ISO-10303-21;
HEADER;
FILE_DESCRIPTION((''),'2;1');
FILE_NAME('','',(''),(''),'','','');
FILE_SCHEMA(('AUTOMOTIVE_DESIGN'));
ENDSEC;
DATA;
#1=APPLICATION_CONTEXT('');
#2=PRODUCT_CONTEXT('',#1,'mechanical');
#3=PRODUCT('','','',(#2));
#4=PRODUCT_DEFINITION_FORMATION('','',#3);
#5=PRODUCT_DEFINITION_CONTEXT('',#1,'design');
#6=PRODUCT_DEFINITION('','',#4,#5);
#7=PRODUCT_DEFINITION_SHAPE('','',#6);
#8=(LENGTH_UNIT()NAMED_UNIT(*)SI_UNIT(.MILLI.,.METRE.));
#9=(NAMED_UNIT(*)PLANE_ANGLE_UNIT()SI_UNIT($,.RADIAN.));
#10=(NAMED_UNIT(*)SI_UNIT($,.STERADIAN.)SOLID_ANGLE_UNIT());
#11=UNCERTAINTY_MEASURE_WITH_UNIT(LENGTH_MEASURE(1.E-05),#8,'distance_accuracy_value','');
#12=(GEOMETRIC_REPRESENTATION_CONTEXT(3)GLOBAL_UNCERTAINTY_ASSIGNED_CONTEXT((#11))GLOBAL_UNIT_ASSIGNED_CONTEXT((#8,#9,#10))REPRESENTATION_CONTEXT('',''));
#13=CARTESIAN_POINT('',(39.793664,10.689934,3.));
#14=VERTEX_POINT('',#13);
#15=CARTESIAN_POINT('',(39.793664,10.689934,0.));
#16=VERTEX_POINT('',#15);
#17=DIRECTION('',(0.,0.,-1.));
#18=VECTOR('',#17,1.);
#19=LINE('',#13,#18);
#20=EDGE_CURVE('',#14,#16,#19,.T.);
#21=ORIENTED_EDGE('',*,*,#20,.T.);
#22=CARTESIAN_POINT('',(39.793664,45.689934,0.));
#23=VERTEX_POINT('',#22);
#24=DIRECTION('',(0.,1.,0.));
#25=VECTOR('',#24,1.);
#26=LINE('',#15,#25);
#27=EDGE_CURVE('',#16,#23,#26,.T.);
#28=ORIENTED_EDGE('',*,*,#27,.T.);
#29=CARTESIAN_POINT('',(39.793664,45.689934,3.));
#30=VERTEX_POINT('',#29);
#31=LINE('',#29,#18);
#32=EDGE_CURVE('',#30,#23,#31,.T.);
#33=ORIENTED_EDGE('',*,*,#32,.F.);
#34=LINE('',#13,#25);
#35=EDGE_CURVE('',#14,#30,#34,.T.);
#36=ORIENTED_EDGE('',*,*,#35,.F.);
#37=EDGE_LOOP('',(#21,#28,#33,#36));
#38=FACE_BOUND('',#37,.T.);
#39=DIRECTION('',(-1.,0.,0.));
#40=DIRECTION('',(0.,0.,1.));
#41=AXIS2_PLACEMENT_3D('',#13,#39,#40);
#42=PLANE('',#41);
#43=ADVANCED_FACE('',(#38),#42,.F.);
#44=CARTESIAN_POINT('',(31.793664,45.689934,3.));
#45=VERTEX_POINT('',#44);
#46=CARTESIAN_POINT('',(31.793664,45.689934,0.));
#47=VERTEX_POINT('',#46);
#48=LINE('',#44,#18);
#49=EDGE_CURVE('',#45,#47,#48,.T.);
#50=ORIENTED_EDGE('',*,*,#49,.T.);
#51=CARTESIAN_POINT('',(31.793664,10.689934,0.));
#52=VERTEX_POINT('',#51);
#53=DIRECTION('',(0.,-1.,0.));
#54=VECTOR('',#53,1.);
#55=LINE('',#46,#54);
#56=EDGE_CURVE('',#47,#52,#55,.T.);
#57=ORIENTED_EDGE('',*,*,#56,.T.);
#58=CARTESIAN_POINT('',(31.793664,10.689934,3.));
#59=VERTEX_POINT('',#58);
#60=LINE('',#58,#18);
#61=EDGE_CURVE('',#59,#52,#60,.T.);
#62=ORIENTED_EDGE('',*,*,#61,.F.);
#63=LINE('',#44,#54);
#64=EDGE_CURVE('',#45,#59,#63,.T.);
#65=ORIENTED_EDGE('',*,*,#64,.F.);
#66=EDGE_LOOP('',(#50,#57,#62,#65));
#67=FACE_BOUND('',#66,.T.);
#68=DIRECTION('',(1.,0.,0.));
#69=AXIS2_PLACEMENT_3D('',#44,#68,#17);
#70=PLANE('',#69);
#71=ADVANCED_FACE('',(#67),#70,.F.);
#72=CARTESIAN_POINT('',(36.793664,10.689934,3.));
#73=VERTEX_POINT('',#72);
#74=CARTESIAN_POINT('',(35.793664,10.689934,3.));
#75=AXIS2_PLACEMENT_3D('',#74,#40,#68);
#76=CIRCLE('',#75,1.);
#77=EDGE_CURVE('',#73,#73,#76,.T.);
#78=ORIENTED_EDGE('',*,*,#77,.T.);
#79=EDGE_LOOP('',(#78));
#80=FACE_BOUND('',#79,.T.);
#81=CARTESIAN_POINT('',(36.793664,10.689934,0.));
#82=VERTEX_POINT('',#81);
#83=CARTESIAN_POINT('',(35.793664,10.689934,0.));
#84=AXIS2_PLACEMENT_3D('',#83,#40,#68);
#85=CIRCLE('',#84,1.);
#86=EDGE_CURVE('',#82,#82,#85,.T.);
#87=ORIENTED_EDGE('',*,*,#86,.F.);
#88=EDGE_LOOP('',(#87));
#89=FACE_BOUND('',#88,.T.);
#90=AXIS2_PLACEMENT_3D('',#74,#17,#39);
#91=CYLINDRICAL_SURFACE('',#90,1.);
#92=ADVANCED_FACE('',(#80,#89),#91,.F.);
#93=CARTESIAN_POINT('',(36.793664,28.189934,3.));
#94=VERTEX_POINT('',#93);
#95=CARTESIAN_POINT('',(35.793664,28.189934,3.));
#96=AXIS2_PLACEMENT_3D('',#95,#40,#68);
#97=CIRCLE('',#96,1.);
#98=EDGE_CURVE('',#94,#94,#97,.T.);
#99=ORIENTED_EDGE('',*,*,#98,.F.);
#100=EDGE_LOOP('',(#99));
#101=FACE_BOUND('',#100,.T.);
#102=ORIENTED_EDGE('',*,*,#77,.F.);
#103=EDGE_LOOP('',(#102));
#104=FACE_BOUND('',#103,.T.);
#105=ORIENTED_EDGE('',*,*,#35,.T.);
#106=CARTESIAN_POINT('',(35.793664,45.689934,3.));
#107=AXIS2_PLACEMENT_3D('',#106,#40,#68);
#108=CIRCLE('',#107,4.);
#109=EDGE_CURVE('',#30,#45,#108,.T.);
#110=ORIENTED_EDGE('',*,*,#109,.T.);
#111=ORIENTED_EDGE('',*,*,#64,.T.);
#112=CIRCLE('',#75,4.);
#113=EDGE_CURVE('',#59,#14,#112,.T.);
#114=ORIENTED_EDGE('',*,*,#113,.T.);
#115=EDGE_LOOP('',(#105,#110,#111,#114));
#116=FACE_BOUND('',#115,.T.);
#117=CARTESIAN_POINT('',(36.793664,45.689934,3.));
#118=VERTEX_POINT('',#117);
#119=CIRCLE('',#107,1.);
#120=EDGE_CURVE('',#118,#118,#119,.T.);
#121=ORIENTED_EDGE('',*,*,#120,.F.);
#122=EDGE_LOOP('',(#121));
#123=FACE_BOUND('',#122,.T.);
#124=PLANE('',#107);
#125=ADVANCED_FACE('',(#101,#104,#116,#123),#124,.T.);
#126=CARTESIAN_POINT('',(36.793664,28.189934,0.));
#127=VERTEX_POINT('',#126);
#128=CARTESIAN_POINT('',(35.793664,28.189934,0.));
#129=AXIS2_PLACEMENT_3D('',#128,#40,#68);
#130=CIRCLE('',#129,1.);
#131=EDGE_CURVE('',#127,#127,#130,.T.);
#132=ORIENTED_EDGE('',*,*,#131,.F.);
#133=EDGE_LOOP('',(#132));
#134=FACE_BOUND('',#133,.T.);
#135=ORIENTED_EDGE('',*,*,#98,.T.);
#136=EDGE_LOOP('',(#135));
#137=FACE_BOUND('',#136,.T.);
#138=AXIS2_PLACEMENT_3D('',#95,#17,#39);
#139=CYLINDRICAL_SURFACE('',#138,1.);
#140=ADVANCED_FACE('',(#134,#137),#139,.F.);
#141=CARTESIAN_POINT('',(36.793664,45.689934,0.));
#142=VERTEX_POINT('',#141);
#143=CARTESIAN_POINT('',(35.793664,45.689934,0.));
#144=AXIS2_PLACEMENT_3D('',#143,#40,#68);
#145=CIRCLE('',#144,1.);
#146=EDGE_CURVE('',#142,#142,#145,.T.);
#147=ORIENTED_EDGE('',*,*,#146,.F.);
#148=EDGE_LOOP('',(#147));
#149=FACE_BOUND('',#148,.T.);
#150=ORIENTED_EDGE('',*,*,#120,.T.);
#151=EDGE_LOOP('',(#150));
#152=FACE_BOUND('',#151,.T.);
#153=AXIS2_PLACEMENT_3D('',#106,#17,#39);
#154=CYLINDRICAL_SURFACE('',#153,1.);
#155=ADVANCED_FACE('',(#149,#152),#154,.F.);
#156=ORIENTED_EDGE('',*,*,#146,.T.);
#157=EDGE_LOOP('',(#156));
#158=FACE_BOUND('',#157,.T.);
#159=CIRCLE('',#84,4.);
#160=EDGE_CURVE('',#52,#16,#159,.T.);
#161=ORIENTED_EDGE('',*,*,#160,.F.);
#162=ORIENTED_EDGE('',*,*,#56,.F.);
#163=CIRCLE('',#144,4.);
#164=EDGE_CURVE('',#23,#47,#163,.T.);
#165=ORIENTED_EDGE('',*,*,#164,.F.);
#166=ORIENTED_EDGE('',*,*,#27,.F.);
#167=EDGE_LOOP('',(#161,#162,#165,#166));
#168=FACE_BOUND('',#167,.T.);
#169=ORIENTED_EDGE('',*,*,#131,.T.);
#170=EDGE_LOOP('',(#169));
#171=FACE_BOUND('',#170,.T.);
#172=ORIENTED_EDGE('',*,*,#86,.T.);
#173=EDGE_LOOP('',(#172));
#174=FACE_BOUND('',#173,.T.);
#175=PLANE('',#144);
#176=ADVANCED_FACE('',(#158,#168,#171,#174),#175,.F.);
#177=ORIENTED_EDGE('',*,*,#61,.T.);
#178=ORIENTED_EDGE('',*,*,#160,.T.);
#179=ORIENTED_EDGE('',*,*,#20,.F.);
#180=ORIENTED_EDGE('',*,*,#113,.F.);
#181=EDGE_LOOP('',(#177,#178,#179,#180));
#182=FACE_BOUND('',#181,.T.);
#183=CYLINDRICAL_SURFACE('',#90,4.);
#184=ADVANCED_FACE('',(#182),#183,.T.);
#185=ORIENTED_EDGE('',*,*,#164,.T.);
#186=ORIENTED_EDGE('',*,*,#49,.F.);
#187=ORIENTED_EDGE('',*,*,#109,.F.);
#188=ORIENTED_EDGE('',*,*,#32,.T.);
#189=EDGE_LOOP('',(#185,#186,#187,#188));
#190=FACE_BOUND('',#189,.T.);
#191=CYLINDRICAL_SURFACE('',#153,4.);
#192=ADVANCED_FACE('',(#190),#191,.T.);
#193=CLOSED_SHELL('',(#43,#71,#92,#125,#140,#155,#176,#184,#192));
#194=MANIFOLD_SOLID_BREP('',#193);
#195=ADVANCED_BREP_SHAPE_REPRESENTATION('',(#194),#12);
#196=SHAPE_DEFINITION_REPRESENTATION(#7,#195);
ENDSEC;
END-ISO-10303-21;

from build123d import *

# Parameters (mm, degrees)
MODEL_R             = 1
BOSS_EXTRUDE1_DEPTH = 3


with BuildPart() as part:
    # Model → Boss-Extrude1 (new body)
    with BuildSketch(Plane.XY):
        with BuildLine():
            Line((31.793664427, 45.689933635), (31.793664427, 10.689933635))
            ThreePointArc((31.793664427, 10.689933635), (35.793664427, 6.689933635), (39.793664427, 10.689933635))
            Line((39.793664427, 10.689933635), (39.793664427, 45.689933635))
            ThreePointArc((39.793664427, 45.689933635), (35.793664427, 49.689933635), (31.793664427, 45.689933635))
        make_face()
        with Locations((35.793664427, 10.689933635)):
            Circle(MODEL_R, mode=Mode.SUBTRACT)
        with Locations((35.793664427, 45.689933635)):
            Circle(MODEL_R, mode=Mode.SUBTRACT)
        with Locations((35.793664427, 28.189933635)):
            Circle(MODEL_R, mode=Mode.SUBTRACT)
    extrude(amount=BOSS_EXTRUDE1_DEPTH)


solid = part.part
